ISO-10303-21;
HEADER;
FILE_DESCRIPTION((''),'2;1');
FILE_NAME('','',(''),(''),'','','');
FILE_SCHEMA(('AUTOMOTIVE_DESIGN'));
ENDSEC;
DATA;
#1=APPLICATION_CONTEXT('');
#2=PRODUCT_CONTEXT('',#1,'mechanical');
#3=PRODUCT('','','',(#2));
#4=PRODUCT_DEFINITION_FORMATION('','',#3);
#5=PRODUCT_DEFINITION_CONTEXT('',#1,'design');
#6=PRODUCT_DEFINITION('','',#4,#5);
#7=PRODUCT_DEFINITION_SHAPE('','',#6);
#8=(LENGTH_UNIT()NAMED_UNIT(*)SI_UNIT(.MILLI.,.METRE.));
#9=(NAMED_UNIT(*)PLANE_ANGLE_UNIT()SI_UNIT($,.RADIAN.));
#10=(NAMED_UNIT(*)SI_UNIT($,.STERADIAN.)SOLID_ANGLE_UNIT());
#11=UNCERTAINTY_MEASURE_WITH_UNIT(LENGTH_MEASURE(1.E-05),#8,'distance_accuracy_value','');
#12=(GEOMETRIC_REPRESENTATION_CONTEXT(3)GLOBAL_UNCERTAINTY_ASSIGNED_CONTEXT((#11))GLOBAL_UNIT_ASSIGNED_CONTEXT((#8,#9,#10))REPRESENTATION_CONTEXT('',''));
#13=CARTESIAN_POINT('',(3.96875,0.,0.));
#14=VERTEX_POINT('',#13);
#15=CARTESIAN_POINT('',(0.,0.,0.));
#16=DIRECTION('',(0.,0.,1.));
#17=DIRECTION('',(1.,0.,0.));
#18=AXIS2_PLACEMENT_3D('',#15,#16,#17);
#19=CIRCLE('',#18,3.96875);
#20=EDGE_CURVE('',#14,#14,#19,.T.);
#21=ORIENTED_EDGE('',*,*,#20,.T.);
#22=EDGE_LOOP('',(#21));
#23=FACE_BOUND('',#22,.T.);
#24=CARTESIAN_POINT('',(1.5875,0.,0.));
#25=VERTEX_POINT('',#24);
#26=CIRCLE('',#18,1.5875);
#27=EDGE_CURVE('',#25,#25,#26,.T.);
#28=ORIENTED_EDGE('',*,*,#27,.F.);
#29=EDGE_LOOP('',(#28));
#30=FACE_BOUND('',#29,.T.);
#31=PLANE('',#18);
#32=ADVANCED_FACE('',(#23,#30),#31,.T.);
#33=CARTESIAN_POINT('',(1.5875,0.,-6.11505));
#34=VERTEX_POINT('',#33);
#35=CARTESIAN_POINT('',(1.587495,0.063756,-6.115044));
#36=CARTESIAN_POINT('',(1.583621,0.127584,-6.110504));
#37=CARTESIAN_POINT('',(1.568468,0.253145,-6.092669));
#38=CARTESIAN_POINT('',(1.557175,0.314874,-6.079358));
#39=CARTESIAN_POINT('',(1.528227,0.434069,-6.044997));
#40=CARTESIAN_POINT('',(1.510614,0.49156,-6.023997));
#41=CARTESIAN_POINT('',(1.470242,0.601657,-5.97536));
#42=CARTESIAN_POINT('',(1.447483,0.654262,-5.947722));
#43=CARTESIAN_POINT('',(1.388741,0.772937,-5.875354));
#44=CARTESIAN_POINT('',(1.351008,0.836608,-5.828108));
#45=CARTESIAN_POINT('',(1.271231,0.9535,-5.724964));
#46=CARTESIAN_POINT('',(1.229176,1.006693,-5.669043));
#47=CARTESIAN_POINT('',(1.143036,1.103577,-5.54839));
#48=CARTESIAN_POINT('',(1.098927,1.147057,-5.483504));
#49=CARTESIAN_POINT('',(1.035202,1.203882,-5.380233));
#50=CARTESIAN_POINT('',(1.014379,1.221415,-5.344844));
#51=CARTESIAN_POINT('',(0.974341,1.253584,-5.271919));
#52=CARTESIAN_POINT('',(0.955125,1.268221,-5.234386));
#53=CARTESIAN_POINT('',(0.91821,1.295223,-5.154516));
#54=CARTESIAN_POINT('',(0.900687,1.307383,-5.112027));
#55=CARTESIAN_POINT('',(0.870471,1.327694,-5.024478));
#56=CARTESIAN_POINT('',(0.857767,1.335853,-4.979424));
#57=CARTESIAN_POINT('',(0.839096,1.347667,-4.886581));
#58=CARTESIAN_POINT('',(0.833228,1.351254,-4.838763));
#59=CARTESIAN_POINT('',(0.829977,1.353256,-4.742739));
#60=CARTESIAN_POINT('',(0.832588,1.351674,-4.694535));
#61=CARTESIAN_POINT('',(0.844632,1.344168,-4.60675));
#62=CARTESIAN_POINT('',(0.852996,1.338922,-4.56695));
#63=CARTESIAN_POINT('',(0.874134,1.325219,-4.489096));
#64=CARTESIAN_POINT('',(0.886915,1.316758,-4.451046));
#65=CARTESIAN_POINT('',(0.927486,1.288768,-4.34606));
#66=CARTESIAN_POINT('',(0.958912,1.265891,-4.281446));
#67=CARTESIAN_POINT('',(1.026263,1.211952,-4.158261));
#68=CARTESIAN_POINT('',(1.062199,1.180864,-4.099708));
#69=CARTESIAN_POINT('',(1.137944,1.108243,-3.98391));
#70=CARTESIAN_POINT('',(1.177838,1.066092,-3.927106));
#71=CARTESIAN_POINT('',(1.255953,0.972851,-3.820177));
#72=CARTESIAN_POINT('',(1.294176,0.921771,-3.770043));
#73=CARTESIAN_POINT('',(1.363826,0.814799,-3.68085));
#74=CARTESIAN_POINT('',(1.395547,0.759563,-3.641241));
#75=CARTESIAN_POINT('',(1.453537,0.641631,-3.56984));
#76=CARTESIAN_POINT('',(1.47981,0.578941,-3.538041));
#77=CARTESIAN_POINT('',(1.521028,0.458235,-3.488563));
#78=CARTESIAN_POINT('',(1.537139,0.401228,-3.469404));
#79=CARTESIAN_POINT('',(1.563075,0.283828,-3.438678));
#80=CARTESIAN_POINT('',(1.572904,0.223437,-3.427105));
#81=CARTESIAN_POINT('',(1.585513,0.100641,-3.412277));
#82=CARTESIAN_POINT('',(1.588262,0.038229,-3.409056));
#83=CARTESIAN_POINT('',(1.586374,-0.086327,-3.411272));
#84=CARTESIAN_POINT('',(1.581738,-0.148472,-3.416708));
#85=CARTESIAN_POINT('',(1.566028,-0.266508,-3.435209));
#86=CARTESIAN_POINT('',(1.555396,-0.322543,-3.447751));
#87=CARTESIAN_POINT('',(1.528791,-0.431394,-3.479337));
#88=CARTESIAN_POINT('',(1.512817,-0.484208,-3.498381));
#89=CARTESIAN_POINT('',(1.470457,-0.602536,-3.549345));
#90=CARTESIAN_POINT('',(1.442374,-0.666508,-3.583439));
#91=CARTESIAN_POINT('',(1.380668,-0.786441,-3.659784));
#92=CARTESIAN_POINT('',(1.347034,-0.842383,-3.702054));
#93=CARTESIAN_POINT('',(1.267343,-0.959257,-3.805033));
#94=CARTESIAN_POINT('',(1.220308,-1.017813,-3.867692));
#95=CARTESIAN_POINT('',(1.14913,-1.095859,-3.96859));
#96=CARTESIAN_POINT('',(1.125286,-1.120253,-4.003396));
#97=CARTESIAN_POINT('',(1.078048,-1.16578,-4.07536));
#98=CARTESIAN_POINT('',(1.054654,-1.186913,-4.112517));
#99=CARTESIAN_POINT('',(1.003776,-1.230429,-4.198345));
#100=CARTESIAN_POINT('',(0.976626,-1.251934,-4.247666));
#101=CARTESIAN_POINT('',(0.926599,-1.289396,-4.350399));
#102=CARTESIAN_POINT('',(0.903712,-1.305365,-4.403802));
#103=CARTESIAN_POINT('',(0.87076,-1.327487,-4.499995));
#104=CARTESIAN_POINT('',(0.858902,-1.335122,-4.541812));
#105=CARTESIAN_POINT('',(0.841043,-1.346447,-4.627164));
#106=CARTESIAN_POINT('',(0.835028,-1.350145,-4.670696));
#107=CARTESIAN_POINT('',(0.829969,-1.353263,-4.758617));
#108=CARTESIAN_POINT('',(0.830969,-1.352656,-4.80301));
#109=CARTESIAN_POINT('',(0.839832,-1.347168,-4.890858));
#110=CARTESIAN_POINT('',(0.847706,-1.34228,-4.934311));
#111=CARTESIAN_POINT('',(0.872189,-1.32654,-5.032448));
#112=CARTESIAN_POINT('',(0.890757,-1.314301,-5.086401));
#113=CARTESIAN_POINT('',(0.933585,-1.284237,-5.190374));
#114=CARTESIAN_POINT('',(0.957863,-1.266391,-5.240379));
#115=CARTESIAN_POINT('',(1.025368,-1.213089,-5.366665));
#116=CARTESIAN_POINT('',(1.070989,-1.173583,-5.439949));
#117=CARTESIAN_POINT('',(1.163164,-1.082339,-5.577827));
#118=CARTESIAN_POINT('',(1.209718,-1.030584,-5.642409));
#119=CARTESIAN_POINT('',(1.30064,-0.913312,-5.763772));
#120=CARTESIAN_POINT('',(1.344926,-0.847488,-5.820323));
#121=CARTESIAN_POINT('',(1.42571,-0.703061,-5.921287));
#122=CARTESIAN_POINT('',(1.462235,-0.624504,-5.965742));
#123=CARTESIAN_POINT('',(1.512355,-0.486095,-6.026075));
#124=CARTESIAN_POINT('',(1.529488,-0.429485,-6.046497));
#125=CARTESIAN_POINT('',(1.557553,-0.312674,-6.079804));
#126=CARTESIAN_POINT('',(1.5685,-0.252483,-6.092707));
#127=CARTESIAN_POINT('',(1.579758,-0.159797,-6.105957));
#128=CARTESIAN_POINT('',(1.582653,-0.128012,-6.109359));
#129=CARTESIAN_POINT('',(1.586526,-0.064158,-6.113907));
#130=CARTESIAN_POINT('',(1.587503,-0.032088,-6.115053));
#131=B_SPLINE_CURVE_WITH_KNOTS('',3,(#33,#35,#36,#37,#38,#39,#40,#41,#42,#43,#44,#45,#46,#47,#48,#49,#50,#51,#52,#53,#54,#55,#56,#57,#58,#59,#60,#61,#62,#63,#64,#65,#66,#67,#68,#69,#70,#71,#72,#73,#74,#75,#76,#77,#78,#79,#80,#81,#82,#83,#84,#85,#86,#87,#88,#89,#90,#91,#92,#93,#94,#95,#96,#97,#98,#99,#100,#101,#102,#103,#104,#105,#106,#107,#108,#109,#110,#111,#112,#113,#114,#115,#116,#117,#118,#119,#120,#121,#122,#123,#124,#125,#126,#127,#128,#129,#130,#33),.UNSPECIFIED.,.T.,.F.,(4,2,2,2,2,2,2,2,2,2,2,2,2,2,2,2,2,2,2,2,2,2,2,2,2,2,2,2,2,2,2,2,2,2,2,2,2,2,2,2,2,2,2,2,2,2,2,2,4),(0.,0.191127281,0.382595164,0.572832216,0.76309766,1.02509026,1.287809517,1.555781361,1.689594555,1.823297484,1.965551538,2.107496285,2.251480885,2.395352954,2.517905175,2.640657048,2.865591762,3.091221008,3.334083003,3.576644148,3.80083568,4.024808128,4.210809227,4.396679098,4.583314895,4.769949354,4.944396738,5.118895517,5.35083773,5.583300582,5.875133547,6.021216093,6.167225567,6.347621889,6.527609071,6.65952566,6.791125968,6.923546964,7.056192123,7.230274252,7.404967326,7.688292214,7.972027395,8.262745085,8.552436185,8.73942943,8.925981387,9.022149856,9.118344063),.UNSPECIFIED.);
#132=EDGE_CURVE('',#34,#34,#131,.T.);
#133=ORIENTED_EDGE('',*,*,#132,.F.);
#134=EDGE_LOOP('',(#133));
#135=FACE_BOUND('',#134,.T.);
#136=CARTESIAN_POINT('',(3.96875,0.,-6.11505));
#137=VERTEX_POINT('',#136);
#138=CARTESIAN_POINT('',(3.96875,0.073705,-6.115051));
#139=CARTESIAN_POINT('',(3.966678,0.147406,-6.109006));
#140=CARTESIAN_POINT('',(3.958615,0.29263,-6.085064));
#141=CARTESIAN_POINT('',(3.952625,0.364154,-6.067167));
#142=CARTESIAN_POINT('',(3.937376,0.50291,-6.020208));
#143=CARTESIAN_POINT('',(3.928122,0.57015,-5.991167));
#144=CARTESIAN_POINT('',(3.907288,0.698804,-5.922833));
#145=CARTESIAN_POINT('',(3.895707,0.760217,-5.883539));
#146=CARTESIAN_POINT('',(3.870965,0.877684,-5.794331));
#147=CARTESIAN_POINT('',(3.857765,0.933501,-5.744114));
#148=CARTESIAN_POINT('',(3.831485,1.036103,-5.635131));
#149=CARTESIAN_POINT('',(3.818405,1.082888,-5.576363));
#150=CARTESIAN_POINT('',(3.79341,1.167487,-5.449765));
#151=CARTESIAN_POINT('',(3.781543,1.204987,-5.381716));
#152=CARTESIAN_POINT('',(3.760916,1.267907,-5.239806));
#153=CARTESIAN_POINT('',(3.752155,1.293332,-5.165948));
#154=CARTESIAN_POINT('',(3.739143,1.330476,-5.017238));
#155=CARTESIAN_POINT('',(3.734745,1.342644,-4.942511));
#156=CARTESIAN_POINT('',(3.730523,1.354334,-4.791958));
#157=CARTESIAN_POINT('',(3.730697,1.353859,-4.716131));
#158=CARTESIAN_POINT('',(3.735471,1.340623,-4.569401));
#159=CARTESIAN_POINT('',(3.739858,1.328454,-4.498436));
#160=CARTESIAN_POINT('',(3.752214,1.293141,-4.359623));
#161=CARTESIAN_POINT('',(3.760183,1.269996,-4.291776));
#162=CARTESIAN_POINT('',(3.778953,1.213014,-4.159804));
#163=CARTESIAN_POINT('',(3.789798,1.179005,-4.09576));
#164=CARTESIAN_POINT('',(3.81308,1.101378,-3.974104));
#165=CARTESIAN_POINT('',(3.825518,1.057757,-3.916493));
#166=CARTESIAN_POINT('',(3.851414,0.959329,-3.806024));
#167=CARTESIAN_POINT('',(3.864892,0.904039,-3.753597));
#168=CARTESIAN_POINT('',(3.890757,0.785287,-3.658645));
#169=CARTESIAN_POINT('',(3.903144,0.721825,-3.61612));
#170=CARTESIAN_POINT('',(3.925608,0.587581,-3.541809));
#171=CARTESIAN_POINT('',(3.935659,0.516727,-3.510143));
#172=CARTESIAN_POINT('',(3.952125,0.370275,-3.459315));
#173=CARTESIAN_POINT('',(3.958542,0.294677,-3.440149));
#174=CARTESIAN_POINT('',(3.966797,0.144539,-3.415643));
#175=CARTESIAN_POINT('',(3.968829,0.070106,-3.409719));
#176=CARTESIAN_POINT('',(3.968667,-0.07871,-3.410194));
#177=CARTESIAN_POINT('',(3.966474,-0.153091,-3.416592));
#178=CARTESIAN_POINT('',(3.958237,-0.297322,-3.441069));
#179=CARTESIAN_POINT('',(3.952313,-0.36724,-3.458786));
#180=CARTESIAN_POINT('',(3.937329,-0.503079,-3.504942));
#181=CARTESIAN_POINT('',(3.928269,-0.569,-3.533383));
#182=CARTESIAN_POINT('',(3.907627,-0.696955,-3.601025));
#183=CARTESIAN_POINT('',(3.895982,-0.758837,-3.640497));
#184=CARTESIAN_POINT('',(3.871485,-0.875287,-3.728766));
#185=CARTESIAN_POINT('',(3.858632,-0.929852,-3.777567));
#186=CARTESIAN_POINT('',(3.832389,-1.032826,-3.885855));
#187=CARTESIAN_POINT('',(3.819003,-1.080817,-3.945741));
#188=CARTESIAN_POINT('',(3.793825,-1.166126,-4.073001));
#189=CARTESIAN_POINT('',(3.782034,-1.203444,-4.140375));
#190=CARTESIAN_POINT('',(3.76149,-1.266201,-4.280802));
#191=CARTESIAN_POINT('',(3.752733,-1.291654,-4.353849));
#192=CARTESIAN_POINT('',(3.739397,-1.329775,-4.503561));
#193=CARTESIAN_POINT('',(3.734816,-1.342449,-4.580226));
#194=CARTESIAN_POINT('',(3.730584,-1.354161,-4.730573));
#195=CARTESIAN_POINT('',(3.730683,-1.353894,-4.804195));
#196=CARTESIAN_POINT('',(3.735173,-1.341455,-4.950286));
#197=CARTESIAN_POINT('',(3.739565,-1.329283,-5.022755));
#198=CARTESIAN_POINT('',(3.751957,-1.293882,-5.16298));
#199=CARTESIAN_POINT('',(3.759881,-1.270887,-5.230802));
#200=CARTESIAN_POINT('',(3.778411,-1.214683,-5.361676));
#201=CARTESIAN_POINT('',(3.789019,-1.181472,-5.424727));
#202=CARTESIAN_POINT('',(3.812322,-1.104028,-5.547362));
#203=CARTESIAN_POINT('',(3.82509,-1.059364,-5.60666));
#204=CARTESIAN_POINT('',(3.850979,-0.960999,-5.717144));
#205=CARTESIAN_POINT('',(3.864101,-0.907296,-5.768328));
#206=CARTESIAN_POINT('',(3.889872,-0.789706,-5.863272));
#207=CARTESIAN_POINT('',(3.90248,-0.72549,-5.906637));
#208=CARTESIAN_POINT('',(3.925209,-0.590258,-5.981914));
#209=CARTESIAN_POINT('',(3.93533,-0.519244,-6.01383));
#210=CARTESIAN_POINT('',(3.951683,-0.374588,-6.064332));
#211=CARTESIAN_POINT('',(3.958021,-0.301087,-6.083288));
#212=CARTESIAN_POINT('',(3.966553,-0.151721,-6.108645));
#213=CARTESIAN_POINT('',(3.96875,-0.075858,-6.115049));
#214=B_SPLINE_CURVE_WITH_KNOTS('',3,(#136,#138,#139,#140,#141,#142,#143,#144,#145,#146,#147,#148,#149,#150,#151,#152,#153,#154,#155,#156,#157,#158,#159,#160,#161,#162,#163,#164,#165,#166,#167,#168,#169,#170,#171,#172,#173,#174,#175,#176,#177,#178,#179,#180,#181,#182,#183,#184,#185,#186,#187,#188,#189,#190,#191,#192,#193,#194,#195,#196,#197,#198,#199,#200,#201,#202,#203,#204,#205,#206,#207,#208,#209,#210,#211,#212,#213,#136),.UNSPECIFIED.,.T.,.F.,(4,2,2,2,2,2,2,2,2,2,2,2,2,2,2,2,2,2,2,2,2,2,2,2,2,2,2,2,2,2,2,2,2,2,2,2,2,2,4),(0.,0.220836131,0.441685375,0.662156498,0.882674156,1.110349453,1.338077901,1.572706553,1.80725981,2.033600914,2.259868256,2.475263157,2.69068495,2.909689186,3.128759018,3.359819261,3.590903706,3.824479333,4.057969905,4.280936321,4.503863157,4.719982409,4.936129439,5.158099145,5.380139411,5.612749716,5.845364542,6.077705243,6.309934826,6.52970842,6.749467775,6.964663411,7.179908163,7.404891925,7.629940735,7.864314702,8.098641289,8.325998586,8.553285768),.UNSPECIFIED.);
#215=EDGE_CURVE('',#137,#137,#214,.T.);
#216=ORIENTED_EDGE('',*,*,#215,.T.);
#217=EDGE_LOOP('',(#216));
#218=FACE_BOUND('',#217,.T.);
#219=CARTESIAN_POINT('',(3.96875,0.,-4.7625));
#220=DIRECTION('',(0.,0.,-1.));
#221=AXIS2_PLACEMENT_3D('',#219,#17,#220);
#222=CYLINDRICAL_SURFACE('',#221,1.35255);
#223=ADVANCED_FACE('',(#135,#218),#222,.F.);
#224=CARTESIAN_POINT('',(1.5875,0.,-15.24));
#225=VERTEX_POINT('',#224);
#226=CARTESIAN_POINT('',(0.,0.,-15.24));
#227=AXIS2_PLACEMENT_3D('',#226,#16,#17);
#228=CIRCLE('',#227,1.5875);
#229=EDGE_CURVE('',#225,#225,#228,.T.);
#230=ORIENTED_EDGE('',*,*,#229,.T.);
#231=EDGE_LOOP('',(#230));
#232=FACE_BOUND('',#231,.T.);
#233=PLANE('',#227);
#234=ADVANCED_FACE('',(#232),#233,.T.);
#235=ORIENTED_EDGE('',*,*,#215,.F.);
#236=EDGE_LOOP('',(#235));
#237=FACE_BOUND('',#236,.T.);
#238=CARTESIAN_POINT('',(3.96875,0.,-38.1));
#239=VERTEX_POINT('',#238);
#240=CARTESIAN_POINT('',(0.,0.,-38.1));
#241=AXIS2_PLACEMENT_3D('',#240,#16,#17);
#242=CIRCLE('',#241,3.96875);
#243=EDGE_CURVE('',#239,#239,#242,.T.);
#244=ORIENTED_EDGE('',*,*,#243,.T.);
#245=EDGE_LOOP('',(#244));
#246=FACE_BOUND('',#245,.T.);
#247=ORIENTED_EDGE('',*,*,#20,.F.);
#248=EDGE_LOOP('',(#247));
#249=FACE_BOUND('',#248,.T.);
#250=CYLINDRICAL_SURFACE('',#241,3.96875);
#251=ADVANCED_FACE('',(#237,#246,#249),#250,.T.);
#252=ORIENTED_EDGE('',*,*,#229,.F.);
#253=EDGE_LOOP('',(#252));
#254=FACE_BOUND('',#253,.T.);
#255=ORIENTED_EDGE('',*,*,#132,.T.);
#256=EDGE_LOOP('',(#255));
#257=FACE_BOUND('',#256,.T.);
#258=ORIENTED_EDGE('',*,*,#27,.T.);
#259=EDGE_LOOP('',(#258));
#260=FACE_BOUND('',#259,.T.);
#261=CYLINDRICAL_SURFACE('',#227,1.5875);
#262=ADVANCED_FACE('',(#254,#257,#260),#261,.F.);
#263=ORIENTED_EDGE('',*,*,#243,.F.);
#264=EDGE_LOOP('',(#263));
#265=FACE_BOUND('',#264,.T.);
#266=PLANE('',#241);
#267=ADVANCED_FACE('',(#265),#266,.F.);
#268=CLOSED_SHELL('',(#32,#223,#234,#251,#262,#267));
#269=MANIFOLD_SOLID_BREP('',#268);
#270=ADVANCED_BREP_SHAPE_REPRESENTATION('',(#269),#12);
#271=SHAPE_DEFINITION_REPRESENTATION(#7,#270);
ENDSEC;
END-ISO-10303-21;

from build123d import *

# Parameters (mm, degrees)
SKETCH1_R                 = 3.96875
BODY_DEPTH                = 38.1
SKETCH1_3_R               = 1.5875
POT_SHAFT_OPENING_DEPTH   = 15.24
F_6_32_TAPPED_HOLE1_D     = 2.7051
F_6_32_TAPPED_HOLE1_DEPTH = 3.81
F_6_32_TAPPED_HOLE1_TIP   = 0.81269403


with BuildPart() as part:
    # Sketch1 → Body (new body)
    with BuildSketch(Plane.XY):
        Circle(SKETCH1_R)
    extrude(amount=-BODY_DEPTH)

    # Sketch1<3> → POT Shaft Opening (cut)
    with BuildSketch(Plane.XY):
        Circle(SKETCH1_3_R)
    extrude(amount=-POT_SHAFT_OPENING_DEPTH, mode=Mode.SUBTRACT)

    # #6-32 Tapped Hole1
    with Locations(Plane(origin=(3.96875, 0, 0), x_dir=(0, 0, -1), z_dir=(1, 0, 0))):
        with Locations((4.7625, 0)):
            Hole(F_6_32_TAPPED_HOLE1_D / 2, depth=F_6_32_TAPPED_HOLE1_DEPTH)
            with Locations((0, 0, -(F_6_32_TAPPED_HOLE1_DEPTH + F_6_32_TAPPED_HOLE1_TIP / 2))):  # 118° drill point
                Cone(0, F_6_32_TAPPED_HOLE1_D / 2, F_6_32_TAPPED_HOLE1_TIP, mode=Mode.SUBTRACT)


solid = part.part
